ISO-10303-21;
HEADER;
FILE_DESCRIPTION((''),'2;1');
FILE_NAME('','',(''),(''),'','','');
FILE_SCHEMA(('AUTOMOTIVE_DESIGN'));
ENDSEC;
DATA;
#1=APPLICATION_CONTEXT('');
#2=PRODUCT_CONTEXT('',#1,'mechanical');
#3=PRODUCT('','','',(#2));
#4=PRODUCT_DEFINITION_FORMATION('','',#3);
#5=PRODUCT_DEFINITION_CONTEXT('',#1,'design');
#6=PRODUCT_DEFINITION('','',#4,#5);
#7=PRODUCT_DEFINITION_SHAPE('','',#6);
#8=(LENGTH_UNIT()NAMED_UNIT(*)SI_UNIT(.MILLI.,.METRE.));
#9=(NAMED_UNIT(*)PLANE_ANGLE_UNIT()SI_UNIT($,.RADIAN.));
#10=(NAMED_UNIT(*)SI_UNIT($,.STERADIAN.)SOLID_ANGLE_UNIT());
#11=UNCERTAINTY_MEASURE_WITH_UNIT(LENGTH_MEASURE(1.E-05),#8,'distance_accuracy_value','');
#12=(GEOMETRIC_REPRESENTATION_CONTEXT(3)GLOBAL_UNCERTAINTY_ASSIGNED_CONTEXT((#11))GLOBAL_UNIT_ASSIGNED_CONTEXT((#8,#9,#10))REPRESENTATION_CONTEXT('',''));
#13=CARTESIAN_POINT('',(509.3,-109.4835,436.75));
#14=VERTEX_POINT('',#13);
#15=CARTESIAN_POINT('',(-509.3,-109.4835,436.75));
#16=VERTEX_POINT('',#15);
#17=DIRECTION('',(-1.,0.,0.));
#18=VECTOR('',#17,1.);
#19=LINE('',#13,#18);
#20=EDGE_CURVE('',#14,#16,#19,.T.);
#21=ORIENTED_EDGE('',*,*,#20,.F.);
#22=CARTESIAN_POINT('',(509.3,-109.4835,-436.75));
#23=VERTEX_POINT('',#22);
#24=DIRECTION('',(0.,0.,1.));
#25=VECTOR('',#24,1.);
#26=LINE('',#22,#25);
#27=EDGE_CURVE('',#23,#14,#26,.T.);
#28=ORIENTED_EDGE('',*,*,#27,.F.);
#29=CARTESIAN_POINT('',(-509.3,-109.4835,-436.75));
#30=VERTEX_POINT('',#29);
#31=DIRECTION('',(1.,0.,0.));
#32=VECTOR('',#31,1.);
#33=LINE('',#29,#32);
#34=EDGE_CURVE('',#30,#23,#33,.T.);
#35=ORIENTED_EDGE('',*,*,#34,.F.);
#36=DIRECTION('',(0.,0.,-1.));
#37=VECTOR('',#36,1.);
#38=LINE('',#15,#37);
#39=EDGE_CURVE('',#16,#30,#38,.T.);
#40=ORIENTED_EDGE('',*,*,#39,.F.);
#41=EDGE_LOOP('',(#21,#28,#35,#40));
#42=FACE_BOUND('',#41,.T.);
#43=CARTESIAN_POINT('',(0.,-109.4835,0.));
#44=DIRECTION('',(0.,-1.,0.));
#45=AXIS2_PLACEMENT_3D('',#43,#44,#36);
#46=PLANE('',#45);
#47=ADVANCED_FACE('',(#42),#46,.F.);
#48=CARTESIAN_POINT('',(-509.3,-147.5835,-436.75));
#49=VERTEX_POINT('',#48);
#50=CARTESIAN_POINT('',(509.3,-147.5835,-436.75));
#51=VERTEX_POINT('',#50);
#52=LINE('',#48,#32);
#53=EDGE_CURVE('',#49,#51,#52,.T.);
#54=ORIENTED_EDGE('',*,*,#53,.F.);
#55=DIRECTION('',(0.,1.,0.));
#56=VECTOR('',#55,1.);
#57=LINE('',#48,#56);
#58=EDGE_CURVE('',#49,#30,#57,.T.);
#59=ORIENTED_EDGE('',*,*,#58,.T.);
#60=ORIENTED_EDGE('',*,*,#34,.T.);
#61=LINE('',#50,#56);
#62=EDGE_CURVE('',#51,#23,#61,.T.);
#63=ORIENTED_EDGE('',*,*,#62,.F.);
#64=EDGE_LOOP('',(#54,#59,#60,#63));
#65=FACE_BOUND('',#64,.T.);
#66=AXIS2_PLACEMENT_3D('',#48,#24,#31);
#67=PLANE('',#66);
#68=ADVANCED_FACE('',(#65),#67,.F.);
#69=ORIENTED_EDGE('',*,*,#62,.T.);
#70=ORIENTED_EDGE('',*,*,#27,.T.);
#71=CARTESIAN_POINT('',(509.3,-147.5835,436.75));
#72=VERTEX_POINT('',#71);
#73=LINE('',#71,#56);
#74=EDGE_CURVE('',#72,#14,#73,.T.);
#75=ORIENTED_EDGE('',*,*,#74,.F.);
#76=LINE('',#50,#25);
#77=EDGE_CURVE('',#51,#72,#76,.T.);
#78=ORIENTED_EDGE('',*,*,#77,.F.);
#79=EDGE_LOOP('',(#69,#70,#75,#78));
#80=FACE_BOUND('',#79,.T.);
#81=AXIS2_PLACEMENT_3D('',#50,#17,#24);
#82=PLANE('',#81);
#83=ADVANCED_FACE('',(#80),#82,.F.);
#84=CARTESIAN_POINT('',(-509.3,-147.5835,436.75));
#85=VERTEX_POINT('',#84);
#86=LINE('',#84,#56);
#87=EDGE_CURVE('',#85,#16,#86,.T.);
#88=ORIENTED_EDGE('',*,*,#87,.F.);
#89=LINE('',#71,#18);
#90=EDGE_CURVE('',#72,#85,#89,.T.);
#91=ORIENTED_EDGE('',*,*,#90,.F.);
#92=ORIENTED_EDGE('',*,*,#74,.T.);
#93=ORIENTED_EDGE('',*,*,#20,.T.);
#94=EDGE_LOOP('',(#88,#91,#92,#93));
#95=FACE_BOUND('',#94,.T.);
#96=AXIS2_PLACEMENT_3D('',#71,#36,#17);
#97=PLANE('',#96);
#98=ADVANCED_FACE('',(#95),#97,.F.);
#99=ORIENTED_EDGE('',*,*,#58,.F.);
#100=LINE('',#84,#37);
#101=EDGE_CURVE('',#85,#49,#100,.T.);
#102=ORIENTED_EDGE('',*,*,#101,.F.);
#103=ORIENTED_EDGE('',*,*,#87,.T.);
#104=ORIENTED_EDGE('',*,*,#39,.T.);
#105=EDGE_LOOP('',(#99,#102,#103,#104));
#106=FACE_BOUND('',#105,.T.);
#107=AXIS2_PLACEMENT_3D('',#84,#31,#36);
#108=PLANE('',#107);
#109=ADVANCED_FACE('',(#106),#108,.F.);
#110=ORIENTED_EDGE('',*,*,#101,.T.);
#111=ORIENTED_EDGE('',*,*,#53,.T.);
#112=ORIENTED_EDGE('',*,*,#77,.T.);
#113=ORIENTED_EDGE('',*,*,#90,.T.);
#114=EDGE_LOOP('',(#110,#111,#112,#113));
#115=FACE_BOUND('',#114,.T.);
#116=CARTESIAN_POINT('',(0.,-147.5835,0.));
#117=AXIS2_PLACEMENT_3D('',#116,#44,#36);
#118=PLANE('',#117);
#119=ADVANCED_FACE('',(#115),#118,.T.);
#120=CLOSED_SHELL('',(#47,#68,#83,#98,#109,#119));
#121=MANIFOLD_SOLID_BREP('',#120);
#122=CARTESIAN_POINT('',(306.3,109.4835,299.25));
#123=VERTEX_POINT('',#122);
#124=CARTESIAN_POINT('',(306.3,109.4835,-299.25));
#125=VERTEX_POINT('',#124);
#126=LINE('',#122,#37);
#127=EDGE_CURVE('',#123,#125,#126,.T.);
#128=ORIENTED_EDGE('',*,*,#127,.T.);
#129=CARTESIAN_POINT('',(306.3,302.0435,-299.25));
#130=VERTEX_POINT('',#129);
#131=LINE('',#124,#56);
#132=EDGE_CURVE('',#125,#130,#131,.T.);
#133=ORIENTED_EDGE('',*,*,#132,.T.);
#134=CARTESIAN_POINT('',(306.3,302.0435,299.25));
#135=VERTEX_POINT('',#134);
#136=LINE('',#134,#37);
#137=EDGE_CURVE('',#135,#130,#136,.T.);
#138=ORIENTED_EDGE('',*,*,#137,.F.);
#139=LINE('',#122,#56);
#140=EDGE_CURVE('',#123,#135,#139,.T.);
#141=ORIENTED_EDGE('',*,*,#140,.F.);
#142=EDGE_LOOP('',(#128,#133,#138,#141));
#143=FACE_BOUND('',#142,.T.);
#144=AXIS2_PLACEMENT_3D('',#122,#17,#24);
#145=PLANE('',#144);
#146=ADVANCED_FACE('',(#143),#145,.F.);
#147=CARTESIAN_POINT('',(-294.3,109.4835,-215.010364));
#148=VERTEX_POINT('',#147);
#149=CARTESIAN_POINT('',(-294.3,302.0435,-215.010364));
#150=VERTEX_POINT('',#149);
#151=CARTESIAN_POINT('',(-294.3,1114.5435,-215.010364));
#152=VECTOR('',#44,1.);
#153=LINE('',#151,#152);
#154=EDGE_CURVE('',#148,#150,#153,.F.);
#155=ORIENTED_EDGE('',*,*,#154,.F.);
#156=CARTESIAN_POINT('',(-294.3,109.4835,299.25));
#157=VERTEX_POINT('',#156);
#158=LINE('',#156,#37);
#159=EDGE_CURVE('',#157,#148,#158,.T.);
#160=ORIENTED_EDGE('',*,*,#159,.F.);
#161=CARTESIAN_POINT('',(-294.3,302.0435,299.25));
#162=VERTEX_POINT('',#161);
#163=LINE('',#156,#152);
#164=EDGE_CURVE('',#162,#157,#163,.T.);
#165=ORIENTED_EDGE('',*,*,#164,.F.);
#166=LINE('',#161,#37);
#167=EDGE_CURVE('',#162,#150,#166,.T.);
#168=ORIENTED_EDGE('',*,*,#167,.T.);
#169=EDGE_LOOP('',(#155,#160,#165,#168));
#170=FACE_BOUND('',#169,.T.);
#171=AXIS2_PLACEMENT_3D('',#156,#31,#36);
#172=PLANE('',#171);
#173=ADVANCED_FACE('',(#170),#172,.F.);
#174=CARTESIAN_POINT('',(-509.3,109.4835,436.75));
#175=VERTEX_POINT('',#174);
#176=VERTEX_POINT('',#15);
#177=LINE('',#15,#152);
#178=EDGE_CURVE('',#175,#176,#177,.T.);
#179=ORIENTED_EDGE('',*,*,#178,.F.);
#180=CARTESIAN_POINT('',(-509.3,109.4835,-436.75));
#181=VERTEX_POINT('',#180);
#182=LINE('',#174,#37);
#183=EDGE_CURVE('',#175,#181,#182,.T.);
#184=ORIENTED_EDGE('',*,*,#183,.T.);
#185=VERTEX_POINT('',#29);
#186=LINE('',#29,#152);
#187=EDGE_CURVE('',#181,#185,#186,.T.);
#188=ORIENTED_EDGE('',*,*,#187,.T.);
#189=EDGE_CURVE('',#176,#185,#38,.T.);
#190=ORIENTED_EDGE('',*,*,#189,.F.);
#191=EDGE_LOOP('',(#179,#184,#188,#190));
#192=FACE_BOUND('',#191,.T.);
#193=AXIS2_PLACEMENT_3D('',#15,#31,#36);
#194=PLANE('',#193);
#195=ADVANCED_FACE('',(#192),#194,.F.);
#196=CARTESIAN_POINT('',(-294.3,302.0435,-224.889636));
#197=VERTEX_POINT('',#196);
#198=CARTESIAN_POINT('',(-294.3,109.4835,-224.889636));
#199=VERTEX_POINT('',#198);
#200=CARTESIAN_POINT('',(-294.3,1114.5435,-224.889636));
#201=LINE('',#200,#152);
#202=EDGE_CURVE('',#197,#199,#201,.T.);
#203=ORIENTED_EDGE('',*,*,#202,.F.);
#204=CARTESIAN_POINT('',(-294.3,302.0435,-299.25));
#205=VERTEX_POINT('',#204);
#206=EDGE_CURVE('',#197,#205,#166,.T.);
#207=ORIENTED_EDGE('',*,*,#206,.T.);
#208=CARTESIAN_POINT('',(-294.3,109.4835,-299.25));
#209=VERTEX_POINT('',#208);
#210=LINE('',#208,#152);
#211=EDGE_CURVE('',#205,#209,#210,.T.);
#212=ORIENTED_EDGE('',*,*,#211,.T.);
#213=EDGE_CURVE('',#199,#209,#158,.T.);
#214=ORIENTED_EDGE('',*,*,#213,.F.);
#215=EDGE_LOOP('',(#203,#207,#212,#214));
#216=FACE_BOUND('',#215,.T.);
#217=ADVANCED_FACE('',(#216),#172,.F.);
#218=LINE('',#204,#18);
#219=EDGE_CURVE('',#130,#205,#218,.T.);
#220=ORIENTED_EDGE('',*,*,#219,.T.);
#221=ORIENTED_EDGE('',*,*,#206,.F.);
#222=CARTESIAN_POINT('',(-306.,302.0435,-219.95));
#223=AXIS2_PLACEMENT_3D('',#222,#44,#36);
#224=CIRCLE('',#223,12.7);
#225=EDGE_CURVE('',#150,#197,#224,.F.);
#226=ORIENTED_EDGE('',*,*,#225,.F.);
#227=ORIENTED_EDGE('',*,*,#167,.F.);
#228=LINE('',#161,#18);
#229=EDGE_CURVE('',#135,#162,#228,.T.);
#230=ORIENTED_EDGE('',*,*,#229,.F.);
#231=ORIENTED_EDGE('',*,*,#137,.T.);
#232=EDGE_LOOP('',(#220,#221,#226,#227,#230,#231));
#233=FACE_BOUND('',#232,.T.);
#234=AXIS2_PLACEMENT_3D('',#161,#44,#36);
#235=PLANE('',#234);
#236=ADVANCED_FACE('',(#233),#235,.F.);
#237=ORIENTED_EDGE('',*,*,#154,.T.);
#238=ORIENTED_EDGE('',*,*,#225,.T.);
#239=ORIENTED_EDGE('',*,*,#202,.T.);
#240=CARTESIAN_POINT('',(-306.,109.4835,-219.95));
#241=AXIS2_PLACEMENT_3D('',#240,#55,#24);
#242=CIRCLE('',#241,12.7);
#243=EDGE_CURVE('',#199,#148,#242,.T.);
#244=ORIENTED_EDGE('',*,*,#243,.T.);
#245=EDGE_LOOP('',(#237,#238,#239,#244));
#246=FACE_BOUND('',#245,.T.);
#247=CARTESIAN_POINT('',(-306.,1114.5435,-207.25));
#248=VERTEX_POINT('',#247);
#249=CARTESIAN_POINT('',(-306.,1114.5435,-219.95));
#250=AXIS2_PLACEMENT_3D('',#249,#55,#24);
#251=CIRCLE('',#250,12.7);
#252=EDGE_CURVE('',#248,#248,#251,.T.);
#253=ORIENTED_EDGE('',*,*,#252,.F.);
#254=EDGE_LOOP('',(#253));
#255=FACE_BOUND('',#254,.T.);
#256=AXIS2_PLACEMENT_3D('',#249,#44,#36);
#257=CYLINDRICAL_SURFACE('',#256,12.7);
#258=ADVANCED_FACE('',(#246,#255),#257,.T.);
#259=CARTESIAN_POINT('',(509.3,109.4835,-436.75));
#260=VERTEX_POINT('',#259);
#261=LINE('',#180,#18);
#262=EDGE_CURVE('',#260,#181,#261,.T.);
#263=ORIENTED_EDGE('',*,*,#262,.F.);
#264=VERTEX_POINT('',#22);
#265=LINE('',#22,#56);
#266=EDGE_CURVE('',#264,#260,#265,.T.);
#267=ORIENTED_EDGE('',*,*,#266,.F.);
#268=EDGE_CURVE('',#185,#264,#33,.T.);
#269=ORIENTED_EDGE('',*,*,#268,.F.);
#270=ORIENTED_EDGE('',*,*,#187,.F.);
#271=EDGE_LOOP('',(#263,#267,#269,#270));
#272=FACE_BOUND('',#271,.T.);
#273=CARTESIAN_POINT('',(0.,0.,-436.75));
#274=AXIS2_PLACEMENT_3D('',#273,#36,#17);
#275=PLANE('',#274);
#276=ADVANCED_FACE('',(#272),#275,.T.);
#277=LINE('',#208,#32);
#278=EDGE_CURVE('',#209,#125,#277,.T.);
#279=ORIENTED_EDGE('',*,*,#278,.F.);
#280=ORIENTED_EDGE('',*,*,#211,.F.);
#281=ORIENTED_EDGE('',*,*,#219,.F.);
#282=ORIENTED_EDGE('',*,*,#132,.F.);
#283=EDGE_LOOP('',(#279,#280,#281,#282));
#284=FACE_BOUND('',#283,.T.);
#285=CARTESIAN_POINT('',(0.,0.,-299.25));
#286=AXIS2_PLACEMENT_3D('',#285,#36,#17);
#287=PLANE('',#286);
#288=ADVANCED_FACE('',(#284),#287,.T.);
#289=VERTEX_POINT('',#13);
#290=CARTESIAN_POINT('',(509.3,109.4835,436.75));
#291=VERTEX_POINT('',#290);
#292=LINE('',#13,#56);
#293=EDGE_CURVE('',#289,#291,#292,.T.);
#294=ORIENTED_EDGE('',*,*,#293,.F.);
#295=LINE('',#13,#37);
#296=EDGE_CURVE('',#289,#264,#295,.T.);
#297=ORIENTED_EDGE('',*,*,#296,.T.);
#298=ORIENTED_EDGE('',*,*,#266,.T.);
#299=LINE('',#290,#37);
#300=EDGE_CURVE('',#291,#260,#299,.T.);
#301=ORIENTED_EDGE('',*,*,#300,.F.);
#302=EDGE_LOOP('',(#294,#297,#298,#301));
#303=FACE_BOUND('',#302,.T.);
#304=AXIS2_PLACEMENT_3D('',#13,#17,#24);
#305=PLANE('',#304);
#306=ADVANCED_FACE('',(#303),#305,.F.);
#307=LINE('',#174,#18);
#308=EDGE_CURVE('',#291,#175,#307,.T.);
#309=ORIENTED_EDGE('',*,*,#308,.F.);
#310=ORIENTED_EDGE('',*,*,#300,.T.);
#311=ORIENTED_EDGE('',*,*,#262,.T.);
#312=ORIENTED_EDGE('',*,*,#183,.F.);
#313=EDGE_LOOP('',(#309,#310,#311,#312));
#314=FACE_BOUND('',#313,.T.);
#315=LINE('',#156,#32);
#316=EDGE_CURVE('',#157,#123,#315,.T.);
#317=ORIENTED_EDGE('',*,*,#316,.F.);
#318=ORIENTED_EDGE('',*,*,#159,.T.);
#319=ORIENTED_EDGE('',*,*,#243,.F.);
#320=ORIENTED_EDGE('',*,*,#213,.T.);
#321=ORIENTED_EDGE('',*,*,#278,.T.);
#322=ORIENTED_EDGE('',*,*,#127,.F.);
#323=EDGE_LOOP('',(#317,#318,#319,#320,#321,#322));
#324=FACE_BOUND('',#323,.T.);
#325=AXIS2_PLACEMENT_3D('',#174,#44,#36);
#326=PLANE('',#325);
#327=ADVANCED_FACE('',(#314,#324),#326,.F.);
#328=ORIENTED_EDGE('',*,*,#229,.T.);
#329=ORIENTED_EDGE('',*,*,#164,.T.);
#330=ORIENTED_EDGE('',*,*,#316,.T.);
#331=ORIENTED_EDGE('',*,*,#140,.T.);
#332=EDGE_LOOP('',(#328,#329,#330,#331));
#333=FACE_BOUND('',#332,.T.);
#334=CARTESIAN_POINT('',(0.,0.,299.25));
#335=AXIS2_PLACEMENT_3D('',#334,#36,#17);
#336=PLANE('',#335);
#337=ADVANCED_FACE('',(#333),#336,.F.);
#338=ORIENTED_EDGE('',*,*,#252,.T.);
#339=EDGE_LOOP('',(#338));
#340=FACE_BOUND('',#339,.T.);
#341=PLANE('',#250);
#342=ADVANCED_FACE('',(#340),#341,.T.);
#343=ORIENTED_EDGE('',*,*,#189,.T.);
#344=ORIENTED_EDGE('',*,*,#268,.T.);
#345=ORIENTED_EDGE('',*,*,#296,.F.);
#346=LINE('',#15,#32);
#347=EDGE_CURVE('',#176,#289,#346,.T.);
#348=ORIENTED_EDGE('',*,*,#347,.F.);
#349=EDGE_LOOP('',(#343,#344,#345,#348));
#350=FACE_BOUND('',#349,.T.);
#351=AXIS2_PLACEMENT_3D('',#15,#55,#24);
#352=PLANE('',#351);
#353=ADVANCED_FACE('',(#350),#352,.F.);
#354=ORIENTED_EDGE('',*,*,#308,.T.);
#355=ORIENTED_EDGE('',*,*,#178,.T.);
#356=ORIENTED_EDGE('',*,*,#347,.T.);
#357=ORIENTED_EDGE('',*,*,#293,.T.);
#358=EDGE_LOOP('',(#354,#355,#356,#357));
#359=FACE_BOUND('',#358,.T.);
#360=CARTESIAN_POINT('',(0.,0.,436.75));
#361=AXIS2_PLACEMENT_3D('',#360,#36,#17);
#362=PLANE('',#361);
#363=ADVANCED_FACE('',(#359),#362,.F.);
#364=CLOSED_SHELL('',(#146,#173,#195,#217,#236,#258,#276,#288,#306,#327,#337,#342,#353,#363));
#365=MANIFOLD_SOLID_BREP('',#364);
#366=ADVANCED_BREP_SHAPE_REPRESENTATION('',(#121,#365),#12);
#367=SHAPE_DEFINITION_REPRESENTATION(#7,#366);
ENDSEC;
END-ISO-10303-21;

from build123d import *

# Parameters (mm, degrees)
SKETCH1_W           = 1018.6
SKETCH1_H           = 218.967
BOSS_EXTRUDE1_DEPTH = 436.75
SKETCH2_W           = 600.6
SKETCH2_H           = 192.56
BOSS_EXTRUDE2_DEPTH = 299.25
SKETCH3_R           = 12.7
BOSS_EXTRUDE5_DEPTH = 1005.06
SKETCH4_W           = 1018.6
SKETCH4_H           = 873.5
BOSS_EXTRUDE6_DEPTH = 38.1


with BuildPart() as part:
    # Sketch1 → Boss-Extrude1 (new, symmetric)
    with BuildSketch(Plane.XY):
        Rectangle(SKETCH1_W, SKETCH1_H)
    extrude(amount=BOSS_EXTRUDE1_DEPTH, both=True)

    # Sketch2 → Boss-Extrude2 (add, symmetric)
    with BuildSketch(Plane.XY):
        with Locations((6, 205.7635)):
            Rectangle(SKETCH2_W, SKETCH2_H)
    extrude(amount=BOSS_EXTRUDE2_DEPTH, both=True)

    # Sketch3 → Boss-Extrude5 (add)
    with BuildSketch(Plane(origin=(0, 109.4835, 0), x_dir=(1, 0, 0), z_dir=(0, 1, 0))):
        with Locations(Location((-306, 219.95, 0), (0, 0, 22.889037196))):
            Circle(SKETCH3_R)
    extrude(amount=BOSS_EXTRUDE5_DEPTH)


with BuildPart() as body_2:
    # Sketch4 → Boss-Extrude6 (new body)
    with BuildSketch(Plane.XZ.offset(109.4835)):
        Rectangle(SKETCH4_W, SKETCH4_H)
    extrude(amount=BOSS_EXTRUDE6_DEPTH)


solid = Compound([part.part, body_2.part])
